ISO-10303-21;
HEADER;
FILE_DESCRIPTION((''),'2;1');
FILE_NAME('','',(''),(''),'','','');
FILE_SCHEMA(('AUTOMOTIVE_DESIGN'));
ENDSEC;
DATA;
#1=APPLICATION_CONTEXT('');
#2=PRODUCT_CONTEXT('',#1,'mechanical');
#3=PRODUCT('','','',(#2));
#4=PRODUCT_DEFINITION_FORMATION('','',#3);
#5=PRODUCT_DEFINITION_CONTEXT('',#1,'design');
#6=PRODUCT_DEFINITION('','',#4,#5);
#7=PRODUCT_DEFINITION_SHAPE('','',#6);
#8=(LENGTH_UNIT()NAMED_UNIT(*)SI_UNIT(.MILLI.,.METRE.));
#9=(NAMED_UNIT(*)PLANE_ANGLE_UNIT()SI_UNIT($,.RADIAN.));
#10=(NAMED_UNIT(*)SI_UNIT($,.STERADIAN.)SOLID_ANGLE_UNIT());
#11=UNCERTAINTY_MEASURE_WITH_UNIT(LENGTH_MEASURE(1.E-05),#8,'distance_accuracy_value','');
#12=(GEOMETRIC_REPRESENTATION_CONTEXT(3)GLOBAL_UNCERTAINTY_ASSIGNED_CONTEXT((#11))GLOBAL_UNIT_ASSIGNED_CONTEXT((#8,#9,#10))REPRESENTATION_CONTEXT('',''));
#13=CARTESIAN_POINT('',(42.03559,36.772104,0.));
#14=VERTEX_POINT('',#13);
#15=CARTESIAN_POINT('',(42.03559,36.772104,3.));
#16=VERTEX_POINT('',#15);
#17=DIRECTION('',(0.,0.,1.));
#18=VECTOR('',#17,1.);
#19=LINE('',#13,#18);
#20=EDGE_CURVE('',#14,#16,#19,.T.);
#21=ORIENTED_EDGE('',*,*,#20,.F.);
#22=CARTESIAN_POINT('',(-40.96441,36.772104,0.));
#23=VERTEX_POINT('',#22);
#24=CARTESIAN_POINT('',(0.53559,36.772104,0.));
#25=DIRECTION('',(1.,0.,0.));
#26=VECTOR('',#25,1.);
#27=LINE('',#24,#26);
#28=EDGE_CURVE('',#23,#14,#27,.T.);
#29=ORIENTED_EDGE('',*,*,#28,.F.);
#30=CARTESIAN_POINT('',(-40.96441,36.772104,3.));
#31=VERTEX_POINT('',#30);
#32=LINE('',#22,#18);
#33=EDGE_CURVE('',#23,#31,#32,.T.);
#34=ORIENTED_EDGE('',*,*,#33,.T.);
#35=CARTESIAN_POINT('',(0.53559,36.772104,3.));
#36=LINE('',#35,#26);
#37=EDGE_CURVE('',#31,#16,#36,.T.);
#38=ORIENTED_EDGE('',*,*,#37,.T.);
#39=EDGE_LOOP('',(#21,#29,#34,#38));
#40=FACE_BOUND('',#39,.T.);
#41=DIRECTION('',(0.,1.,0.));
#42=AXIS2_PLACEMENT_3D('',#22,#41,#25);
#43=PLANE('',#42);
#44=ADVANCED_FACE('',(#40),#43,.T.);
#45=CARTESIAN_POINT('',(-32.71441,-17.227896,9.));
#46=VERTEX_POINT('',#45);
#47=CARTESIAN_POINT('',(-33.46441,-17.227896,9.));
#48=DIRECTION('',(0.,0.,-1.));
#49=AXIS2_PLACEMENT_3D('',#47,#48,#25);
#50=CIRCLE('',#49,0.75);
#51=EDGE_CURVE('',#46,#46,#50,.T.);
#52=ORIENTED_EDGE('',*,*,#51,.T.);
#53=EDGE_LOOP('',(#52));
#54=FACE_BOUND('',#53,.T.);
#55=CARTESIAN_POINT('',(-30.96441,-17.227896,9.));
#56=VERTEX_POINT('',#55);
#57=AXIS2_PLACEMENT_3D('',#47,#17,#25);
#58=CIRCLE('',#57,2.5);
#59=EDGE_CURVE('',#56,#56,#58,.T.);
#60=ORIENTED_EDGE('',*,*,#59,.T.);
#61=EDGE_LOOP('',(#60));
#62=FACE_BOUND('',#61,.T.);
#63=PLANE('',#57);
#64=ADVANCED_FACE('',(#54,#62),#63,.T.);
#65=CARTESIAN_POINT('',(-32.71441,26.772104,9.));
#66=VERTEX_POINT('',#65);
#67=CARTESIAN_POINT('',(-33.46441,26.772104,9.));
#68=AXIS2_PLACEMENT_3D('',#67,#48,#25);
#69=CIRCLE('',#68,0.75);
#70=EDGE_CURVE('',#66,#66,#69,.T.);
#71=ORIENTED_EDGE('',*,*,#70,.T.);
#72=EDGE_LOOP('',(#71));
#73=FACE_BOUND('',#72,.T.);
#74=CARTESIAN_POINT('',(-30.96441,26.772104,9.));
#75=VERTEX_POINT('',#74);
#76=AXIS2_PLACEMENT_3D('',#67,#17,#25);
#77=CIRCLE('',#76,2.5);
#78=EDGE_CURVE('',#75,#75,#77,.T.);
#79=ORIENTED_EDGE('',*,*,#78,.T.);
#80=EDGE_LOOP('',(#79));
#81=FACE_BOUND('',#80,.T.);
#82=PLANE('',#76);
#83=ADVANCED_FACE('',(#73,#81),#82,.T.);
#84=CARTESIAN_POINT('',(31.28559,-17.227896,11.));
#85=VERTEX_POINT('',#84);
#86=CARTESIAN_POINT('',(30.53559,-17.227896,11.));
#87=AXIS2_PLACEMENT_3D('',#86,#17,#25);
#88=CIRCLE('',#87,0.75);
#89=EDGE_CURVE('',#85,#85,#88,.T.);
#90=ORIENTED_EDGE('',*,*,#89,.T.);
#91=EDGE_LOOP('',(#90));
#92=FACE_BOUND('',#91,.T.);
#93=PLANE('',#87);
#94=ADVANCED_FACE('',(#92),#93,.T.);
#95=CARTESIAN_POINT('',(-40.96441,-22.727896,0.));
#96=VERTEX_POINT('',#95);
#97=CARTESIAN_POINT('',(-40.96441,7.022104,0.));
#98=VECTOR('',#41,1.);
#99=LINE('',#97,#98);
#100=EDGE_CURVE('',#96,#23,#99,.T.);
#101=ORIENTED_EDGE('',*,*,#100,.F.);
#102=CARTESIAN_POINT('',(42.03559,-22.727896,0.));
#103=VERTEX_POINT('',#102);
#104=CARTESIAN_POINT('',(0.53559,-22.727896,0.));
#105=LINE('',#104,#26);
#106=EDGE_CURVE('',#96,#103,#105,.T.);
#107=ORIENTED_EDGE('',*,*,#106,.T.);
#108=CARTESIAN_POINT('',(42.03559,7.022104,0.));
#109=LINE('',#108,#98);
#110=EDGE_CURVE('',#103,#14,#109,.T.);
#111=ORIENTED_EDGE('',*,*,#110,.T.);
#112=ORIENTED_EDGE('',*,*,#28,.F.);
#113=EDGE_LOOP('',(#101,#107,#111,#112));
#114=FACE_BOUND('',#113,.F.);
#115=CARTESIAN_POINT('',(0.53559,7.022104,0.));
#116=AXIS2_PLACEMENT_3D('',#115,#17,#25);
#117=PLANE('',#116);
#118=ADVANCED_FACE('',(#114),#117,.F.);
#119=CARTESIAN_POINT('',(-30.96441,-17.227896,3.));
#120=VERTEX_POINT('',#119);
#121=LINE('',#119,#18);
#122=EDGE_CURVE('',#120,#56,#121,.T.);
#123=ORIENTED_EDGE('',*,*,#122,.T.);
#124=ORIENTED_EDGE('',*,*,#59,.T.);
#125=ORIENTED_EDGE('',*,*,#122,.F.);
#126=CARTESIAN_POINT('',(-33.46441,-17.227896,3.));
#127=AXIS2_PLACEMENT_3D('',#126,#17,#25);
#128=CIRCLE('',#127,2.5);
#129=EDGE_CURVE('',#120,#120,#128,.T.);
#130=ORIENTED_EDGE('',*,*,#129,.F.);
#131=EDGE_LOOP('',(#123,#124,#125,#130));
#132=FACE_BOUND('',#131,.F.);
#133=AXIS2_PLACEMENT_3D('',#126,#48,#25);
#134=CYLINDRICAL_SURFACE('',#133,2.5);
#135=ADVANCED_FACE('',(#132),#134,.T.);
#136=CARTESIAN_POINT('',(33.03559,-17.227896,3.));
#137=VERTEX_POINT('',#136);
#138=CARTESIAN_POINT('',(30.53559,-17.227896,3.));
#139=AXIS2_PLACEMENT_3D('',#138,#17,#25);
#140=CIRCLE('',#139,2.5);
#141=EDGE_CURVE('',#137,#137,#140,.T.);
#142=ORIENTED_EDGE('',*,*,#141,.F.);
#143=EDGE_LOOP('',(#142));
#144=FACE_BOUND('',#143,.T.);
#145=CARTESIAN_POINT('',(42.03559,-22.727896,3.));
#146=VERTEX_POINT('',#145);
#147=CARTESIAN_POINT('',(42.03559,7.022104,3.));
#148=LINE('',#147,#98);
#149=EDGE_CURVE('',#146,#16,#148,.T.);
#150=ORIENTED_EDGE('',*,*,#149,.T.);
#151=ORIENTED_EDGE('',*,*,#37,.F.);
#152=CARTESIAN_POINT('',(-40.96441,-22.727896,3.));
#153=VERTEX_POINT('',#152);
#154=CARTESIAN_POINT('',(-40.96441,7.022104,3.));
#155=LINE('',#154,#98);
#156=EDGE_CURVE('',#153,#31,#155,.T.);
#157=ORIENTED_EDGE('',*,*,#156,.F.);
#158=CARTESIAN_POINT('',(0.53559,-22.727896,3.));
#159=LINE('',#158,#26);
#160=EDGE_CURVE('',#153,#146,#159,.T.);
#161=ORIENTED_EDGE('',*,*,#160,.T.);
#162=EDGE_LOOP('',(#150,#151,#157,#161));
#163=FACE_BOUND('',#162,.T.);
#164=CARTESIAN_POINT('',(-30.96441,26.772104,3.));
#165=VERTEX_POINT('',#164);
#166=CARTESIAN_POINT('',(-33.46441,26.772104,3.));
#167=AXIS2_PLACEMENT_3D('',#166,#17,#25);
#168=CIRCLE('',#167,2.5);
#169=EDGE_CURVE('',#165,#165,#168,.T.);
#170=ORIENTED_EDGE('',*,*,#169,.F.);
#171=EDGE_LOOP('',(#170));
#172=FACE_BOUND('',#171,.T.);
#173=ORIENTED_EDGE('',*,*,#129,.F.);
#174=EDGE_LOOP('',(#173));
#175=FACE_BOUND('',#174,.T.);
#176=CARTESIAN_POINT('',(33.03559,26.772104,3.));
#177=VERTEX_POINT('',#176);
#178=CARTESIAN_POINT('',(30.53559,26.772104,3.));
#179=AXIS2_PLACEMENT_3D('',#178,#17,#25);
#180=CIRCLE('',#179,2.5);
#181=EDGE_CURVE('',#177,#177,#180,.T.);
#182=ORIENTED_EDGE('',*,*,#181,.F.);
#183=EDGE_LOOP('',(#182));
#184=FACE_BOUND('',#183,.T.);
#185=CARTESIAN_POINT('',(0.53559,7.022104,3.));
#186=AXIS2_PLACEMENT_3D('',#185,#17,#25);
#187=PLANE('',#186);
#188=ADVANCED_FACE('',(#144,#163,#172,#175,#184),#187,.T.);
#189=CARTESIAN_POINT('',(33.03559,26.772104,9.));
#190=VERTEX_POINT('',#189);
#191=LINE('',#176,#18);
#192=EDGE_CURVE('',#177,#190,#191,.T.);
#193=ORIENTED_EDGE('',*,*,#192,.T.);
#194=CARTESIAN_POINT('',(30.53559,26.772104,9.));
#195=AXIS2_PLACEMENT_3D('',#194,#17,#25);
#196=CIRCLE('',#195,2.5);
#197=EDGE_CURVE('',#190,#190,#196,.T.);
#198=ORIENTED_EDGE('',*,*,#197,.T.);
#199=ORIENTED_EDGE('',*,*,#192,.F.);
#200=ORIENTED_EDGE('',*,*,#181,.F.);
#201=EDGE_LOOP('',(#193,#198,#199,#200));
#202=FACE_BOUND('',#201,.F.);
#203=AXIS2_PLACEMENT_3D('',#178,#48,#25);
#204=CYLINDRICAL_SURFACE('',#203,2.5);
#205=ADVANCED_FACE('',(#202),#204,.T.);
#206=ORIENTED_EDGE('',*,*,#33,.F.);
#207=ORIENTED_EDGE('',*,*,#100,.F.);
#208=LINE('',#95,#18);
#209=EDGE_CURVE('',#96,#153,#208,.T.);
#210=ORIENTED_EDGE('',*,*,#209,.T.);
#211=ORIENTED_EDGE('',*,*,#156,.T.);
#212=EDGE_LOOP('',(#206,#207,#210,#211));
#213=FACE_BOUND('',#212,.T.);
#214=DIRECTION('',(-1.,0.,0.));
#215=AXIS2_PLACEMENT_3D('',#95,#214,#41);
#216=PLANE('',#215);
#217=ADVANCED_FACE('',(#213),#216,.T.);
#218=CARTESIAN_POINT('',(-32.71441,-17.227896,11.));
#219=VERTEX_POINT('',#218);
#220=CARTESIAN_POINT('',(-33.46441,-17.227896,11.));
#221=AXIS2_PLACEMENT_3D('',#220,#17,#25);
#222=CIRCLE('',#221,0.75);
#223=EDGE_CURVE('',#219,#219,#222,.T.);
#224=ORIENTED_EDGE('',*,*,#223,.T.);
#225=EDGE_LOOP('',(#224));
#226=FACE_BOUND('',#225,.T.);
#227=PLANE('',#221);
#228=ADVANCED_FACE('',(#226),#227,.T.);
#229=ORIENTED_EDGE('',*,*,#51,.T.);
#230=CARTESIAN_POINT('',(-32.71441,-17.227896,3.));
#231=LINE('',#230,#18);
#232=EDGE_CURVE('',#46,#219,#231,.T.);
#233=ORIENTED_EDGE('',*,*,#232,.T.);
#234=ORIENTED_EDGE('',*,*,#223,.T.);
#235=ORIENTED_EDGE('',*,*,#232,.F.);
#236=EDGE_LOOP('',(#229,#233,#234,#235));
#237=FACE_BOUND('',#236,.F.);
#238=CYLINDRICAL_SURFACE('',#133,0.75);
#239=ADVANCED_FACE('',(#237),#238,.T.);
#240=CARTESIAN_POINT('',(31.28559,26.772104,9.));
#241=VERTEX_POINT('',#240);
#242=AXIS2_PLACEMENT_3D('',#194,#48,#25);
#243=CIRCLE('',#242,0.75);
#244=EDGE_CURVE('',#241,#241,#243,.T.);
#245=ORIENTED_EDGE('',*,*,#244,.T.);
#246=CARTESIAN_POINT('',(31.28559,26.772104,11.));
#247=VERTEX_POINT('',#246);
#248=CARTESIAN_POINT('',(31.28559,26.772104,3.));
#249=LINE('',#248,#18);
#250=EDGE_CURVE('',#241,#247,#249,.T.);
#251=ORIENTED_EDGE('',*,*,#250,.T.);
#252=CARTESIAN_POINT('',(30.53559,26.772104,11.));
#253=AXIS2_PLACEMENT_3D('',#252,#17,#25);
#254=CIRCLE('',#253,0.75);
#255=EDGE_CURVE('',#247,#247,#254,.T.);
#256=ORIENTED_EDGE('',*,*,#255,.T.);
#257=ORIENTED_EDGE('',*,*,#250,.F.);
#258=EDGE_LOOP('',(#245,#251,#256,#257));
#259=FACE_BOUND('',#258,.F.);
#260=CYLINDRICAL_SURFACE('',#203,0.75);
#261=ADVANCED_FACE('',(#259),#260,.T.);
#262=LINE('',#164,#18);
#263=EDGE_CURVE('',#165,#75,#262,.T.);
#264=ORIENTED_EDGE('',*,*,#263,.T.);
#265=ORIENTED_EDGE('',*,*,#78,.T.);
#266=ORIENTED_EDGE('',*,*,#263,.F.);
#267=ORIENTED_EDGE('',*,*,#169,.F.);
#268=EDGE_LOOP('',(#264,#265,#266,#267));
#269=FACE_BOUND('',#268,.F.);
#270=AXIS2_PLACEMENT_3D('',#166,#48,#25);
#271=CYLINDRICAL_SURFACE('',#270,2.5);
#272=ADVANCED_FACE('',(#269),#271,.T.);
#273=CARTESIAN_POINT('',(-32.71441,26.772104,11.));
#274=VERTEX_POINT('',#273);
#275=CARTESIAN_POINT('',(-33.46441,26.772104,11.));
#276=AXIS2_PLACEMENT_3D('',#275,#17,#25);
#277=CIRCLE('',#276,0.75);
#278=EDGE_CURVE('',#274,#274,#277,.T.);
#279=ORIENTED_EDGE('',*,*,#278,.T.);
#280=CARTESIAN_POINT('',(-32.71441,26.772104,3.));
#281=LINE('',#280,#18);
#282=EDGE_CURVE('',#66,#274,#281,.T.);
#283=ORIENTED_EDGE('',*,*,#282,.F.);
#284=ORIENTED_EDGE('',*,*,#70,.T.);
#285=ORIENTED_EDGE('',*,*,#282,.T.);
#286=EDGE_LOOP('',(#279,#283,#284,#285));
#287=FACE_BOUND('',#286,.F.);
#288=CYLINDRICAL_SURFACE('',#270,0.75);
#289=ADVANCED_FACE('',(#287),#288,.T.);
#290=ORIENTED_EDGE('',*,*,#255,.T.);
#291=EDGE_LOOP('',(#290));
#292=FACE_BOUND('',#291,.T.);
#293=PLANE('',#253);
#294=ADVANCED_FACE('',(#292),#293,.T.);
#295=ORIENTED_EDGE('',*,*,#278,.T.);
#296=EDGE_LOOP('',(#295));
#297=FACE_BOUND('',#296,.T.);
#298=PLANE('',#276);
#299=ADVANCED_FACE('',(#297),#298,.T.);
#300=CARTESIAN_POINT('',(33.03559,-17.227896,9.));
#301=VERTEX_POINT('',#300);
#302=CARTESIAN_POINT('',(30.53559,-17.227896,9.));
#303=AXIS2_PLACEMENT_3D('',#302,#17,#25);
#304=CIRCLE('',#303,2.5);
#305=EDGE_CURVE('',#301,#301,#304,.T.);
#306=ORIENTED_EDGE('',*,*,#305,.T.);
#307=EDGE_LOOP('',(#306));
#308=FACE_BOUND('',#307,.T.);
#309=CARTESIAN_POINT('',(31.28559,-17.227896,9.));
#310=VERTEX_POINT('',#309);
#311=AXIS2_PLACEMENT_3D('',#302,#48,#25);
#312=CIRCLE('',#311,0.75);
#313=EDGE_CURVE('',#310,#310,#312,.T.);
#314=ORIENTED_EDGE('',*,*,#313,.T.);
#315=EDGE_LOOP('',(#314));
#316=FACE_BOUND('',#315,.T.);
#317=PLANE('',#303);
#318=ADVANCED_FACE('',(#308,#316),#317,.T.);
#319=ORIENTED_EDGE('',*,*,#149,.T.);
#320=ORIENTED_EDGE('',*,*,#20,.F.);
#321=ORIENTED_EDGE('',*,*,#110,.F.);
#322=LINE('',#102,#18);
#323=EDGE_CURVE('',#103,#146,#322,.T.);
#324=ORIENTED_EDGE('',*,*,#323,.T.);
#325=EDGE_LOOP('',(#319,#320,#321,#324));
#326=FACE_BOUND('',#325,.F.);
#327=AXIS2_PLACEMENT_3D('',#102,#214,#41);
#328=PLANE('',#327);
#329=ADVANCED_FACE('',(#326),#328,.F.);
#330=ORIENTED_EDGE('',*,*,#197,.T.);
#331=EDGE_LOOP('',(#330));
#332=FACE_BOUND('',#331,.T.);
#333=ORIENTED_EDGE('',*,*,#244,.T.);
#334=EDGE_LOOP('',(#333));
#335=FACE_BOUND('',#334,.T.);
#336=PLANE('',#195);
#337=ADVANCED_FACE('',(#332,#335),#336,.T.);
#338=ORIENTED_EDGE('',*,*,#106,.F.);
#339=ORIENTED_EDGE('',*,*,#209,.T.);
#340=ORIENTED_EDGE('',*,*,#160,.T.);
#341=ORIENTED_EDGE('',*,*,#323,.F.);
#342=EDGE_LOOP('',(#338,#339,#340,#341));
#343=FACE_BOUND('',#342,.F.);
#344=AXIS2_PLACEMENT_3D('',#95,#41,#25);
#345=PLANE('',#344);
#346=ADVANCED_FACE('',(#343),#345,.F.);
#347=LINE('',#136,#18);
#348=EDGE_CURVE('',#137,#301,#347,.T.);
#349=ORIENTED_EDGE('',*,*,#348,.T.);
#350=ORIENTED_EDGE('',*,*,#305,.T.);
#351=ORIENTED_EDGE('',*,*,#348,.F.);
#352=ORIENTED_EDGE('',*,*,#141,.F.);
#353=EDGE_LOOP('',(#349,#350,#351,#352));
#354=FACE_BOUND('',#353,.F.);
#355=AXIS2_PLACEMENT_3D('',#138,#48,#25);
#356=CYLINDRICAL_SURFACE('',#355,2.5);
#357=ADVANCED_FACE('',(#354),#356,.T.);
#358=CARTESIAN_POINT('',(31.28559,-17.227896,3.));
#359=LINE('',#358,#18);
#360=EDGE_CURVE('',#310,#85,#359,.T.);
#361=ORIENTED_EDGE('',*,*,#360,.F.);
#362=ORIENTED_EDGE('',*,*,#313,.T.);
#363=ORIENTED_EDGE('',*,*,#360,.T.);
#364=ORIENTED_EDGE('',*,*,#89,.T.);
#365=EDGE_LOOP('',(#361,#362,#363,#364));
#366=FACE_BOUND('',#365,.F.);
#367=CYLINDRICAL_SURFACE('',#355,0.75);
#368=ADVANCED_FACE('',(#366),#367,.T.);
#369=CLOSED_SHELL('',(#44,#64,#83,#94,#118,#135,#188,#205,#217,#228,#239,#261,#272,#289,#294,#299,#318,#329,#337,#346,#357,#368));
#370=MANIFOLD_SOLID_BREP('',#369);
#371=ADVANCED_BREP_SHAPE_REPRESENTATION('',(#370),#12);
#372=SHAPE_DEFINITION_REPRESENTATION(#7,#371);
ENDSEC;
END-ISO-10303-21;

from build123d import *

# Parameters (mm, degrees)
F0_W     = 83
F0_H     = 59.5
F1_DEPTH = 3
F2_R     = 2.5
F3_DEPTH = 6
F4_R     = 0.75
F5_DEPTH = 8


with BuildPart() as f1:
    # F0 (on Top) → F1 (new body)
    with BuildSketch(Plane.XY):
        with Locations((0.53559, 7.022104)):
            Rectangle(F0_W, F0_H)
    extrude(amount=F1_DEPTH)

    # F2 (on face) → F3 (join)
    with BuildSketch(Plane.XY.offset(3)):
        with Locations((-33.46441, 26.772104)):
            Circle(F2_R)
        with Locations((30.53559, 26.772104)):
            Circle(F2_R)
        with Locations((-33.46441, -17.227896)):
            Circle(F2_R)
        with Locations((30.53559, -17.227896)):
            Circle(F2_R)
    extrude(amount=F3_DEPTH)

    # F4 (on face) → F5 (join)
    with BuildSketch(Plane.XY.offset(3)):
        with Locations((-33.46441, 26.772104)):
            Circle(F4_R)
        with Locations((30.53559, 26.772104)):
            Circle(F4_R)
        with Locations((30.53559, -17.227896)):
            Circle(F4_R)
        with Locations((-33.46441, -17.227896)):
            Circle(F4_R)
    extrude(amount=F5_DEPTH)


solid = f1.part
